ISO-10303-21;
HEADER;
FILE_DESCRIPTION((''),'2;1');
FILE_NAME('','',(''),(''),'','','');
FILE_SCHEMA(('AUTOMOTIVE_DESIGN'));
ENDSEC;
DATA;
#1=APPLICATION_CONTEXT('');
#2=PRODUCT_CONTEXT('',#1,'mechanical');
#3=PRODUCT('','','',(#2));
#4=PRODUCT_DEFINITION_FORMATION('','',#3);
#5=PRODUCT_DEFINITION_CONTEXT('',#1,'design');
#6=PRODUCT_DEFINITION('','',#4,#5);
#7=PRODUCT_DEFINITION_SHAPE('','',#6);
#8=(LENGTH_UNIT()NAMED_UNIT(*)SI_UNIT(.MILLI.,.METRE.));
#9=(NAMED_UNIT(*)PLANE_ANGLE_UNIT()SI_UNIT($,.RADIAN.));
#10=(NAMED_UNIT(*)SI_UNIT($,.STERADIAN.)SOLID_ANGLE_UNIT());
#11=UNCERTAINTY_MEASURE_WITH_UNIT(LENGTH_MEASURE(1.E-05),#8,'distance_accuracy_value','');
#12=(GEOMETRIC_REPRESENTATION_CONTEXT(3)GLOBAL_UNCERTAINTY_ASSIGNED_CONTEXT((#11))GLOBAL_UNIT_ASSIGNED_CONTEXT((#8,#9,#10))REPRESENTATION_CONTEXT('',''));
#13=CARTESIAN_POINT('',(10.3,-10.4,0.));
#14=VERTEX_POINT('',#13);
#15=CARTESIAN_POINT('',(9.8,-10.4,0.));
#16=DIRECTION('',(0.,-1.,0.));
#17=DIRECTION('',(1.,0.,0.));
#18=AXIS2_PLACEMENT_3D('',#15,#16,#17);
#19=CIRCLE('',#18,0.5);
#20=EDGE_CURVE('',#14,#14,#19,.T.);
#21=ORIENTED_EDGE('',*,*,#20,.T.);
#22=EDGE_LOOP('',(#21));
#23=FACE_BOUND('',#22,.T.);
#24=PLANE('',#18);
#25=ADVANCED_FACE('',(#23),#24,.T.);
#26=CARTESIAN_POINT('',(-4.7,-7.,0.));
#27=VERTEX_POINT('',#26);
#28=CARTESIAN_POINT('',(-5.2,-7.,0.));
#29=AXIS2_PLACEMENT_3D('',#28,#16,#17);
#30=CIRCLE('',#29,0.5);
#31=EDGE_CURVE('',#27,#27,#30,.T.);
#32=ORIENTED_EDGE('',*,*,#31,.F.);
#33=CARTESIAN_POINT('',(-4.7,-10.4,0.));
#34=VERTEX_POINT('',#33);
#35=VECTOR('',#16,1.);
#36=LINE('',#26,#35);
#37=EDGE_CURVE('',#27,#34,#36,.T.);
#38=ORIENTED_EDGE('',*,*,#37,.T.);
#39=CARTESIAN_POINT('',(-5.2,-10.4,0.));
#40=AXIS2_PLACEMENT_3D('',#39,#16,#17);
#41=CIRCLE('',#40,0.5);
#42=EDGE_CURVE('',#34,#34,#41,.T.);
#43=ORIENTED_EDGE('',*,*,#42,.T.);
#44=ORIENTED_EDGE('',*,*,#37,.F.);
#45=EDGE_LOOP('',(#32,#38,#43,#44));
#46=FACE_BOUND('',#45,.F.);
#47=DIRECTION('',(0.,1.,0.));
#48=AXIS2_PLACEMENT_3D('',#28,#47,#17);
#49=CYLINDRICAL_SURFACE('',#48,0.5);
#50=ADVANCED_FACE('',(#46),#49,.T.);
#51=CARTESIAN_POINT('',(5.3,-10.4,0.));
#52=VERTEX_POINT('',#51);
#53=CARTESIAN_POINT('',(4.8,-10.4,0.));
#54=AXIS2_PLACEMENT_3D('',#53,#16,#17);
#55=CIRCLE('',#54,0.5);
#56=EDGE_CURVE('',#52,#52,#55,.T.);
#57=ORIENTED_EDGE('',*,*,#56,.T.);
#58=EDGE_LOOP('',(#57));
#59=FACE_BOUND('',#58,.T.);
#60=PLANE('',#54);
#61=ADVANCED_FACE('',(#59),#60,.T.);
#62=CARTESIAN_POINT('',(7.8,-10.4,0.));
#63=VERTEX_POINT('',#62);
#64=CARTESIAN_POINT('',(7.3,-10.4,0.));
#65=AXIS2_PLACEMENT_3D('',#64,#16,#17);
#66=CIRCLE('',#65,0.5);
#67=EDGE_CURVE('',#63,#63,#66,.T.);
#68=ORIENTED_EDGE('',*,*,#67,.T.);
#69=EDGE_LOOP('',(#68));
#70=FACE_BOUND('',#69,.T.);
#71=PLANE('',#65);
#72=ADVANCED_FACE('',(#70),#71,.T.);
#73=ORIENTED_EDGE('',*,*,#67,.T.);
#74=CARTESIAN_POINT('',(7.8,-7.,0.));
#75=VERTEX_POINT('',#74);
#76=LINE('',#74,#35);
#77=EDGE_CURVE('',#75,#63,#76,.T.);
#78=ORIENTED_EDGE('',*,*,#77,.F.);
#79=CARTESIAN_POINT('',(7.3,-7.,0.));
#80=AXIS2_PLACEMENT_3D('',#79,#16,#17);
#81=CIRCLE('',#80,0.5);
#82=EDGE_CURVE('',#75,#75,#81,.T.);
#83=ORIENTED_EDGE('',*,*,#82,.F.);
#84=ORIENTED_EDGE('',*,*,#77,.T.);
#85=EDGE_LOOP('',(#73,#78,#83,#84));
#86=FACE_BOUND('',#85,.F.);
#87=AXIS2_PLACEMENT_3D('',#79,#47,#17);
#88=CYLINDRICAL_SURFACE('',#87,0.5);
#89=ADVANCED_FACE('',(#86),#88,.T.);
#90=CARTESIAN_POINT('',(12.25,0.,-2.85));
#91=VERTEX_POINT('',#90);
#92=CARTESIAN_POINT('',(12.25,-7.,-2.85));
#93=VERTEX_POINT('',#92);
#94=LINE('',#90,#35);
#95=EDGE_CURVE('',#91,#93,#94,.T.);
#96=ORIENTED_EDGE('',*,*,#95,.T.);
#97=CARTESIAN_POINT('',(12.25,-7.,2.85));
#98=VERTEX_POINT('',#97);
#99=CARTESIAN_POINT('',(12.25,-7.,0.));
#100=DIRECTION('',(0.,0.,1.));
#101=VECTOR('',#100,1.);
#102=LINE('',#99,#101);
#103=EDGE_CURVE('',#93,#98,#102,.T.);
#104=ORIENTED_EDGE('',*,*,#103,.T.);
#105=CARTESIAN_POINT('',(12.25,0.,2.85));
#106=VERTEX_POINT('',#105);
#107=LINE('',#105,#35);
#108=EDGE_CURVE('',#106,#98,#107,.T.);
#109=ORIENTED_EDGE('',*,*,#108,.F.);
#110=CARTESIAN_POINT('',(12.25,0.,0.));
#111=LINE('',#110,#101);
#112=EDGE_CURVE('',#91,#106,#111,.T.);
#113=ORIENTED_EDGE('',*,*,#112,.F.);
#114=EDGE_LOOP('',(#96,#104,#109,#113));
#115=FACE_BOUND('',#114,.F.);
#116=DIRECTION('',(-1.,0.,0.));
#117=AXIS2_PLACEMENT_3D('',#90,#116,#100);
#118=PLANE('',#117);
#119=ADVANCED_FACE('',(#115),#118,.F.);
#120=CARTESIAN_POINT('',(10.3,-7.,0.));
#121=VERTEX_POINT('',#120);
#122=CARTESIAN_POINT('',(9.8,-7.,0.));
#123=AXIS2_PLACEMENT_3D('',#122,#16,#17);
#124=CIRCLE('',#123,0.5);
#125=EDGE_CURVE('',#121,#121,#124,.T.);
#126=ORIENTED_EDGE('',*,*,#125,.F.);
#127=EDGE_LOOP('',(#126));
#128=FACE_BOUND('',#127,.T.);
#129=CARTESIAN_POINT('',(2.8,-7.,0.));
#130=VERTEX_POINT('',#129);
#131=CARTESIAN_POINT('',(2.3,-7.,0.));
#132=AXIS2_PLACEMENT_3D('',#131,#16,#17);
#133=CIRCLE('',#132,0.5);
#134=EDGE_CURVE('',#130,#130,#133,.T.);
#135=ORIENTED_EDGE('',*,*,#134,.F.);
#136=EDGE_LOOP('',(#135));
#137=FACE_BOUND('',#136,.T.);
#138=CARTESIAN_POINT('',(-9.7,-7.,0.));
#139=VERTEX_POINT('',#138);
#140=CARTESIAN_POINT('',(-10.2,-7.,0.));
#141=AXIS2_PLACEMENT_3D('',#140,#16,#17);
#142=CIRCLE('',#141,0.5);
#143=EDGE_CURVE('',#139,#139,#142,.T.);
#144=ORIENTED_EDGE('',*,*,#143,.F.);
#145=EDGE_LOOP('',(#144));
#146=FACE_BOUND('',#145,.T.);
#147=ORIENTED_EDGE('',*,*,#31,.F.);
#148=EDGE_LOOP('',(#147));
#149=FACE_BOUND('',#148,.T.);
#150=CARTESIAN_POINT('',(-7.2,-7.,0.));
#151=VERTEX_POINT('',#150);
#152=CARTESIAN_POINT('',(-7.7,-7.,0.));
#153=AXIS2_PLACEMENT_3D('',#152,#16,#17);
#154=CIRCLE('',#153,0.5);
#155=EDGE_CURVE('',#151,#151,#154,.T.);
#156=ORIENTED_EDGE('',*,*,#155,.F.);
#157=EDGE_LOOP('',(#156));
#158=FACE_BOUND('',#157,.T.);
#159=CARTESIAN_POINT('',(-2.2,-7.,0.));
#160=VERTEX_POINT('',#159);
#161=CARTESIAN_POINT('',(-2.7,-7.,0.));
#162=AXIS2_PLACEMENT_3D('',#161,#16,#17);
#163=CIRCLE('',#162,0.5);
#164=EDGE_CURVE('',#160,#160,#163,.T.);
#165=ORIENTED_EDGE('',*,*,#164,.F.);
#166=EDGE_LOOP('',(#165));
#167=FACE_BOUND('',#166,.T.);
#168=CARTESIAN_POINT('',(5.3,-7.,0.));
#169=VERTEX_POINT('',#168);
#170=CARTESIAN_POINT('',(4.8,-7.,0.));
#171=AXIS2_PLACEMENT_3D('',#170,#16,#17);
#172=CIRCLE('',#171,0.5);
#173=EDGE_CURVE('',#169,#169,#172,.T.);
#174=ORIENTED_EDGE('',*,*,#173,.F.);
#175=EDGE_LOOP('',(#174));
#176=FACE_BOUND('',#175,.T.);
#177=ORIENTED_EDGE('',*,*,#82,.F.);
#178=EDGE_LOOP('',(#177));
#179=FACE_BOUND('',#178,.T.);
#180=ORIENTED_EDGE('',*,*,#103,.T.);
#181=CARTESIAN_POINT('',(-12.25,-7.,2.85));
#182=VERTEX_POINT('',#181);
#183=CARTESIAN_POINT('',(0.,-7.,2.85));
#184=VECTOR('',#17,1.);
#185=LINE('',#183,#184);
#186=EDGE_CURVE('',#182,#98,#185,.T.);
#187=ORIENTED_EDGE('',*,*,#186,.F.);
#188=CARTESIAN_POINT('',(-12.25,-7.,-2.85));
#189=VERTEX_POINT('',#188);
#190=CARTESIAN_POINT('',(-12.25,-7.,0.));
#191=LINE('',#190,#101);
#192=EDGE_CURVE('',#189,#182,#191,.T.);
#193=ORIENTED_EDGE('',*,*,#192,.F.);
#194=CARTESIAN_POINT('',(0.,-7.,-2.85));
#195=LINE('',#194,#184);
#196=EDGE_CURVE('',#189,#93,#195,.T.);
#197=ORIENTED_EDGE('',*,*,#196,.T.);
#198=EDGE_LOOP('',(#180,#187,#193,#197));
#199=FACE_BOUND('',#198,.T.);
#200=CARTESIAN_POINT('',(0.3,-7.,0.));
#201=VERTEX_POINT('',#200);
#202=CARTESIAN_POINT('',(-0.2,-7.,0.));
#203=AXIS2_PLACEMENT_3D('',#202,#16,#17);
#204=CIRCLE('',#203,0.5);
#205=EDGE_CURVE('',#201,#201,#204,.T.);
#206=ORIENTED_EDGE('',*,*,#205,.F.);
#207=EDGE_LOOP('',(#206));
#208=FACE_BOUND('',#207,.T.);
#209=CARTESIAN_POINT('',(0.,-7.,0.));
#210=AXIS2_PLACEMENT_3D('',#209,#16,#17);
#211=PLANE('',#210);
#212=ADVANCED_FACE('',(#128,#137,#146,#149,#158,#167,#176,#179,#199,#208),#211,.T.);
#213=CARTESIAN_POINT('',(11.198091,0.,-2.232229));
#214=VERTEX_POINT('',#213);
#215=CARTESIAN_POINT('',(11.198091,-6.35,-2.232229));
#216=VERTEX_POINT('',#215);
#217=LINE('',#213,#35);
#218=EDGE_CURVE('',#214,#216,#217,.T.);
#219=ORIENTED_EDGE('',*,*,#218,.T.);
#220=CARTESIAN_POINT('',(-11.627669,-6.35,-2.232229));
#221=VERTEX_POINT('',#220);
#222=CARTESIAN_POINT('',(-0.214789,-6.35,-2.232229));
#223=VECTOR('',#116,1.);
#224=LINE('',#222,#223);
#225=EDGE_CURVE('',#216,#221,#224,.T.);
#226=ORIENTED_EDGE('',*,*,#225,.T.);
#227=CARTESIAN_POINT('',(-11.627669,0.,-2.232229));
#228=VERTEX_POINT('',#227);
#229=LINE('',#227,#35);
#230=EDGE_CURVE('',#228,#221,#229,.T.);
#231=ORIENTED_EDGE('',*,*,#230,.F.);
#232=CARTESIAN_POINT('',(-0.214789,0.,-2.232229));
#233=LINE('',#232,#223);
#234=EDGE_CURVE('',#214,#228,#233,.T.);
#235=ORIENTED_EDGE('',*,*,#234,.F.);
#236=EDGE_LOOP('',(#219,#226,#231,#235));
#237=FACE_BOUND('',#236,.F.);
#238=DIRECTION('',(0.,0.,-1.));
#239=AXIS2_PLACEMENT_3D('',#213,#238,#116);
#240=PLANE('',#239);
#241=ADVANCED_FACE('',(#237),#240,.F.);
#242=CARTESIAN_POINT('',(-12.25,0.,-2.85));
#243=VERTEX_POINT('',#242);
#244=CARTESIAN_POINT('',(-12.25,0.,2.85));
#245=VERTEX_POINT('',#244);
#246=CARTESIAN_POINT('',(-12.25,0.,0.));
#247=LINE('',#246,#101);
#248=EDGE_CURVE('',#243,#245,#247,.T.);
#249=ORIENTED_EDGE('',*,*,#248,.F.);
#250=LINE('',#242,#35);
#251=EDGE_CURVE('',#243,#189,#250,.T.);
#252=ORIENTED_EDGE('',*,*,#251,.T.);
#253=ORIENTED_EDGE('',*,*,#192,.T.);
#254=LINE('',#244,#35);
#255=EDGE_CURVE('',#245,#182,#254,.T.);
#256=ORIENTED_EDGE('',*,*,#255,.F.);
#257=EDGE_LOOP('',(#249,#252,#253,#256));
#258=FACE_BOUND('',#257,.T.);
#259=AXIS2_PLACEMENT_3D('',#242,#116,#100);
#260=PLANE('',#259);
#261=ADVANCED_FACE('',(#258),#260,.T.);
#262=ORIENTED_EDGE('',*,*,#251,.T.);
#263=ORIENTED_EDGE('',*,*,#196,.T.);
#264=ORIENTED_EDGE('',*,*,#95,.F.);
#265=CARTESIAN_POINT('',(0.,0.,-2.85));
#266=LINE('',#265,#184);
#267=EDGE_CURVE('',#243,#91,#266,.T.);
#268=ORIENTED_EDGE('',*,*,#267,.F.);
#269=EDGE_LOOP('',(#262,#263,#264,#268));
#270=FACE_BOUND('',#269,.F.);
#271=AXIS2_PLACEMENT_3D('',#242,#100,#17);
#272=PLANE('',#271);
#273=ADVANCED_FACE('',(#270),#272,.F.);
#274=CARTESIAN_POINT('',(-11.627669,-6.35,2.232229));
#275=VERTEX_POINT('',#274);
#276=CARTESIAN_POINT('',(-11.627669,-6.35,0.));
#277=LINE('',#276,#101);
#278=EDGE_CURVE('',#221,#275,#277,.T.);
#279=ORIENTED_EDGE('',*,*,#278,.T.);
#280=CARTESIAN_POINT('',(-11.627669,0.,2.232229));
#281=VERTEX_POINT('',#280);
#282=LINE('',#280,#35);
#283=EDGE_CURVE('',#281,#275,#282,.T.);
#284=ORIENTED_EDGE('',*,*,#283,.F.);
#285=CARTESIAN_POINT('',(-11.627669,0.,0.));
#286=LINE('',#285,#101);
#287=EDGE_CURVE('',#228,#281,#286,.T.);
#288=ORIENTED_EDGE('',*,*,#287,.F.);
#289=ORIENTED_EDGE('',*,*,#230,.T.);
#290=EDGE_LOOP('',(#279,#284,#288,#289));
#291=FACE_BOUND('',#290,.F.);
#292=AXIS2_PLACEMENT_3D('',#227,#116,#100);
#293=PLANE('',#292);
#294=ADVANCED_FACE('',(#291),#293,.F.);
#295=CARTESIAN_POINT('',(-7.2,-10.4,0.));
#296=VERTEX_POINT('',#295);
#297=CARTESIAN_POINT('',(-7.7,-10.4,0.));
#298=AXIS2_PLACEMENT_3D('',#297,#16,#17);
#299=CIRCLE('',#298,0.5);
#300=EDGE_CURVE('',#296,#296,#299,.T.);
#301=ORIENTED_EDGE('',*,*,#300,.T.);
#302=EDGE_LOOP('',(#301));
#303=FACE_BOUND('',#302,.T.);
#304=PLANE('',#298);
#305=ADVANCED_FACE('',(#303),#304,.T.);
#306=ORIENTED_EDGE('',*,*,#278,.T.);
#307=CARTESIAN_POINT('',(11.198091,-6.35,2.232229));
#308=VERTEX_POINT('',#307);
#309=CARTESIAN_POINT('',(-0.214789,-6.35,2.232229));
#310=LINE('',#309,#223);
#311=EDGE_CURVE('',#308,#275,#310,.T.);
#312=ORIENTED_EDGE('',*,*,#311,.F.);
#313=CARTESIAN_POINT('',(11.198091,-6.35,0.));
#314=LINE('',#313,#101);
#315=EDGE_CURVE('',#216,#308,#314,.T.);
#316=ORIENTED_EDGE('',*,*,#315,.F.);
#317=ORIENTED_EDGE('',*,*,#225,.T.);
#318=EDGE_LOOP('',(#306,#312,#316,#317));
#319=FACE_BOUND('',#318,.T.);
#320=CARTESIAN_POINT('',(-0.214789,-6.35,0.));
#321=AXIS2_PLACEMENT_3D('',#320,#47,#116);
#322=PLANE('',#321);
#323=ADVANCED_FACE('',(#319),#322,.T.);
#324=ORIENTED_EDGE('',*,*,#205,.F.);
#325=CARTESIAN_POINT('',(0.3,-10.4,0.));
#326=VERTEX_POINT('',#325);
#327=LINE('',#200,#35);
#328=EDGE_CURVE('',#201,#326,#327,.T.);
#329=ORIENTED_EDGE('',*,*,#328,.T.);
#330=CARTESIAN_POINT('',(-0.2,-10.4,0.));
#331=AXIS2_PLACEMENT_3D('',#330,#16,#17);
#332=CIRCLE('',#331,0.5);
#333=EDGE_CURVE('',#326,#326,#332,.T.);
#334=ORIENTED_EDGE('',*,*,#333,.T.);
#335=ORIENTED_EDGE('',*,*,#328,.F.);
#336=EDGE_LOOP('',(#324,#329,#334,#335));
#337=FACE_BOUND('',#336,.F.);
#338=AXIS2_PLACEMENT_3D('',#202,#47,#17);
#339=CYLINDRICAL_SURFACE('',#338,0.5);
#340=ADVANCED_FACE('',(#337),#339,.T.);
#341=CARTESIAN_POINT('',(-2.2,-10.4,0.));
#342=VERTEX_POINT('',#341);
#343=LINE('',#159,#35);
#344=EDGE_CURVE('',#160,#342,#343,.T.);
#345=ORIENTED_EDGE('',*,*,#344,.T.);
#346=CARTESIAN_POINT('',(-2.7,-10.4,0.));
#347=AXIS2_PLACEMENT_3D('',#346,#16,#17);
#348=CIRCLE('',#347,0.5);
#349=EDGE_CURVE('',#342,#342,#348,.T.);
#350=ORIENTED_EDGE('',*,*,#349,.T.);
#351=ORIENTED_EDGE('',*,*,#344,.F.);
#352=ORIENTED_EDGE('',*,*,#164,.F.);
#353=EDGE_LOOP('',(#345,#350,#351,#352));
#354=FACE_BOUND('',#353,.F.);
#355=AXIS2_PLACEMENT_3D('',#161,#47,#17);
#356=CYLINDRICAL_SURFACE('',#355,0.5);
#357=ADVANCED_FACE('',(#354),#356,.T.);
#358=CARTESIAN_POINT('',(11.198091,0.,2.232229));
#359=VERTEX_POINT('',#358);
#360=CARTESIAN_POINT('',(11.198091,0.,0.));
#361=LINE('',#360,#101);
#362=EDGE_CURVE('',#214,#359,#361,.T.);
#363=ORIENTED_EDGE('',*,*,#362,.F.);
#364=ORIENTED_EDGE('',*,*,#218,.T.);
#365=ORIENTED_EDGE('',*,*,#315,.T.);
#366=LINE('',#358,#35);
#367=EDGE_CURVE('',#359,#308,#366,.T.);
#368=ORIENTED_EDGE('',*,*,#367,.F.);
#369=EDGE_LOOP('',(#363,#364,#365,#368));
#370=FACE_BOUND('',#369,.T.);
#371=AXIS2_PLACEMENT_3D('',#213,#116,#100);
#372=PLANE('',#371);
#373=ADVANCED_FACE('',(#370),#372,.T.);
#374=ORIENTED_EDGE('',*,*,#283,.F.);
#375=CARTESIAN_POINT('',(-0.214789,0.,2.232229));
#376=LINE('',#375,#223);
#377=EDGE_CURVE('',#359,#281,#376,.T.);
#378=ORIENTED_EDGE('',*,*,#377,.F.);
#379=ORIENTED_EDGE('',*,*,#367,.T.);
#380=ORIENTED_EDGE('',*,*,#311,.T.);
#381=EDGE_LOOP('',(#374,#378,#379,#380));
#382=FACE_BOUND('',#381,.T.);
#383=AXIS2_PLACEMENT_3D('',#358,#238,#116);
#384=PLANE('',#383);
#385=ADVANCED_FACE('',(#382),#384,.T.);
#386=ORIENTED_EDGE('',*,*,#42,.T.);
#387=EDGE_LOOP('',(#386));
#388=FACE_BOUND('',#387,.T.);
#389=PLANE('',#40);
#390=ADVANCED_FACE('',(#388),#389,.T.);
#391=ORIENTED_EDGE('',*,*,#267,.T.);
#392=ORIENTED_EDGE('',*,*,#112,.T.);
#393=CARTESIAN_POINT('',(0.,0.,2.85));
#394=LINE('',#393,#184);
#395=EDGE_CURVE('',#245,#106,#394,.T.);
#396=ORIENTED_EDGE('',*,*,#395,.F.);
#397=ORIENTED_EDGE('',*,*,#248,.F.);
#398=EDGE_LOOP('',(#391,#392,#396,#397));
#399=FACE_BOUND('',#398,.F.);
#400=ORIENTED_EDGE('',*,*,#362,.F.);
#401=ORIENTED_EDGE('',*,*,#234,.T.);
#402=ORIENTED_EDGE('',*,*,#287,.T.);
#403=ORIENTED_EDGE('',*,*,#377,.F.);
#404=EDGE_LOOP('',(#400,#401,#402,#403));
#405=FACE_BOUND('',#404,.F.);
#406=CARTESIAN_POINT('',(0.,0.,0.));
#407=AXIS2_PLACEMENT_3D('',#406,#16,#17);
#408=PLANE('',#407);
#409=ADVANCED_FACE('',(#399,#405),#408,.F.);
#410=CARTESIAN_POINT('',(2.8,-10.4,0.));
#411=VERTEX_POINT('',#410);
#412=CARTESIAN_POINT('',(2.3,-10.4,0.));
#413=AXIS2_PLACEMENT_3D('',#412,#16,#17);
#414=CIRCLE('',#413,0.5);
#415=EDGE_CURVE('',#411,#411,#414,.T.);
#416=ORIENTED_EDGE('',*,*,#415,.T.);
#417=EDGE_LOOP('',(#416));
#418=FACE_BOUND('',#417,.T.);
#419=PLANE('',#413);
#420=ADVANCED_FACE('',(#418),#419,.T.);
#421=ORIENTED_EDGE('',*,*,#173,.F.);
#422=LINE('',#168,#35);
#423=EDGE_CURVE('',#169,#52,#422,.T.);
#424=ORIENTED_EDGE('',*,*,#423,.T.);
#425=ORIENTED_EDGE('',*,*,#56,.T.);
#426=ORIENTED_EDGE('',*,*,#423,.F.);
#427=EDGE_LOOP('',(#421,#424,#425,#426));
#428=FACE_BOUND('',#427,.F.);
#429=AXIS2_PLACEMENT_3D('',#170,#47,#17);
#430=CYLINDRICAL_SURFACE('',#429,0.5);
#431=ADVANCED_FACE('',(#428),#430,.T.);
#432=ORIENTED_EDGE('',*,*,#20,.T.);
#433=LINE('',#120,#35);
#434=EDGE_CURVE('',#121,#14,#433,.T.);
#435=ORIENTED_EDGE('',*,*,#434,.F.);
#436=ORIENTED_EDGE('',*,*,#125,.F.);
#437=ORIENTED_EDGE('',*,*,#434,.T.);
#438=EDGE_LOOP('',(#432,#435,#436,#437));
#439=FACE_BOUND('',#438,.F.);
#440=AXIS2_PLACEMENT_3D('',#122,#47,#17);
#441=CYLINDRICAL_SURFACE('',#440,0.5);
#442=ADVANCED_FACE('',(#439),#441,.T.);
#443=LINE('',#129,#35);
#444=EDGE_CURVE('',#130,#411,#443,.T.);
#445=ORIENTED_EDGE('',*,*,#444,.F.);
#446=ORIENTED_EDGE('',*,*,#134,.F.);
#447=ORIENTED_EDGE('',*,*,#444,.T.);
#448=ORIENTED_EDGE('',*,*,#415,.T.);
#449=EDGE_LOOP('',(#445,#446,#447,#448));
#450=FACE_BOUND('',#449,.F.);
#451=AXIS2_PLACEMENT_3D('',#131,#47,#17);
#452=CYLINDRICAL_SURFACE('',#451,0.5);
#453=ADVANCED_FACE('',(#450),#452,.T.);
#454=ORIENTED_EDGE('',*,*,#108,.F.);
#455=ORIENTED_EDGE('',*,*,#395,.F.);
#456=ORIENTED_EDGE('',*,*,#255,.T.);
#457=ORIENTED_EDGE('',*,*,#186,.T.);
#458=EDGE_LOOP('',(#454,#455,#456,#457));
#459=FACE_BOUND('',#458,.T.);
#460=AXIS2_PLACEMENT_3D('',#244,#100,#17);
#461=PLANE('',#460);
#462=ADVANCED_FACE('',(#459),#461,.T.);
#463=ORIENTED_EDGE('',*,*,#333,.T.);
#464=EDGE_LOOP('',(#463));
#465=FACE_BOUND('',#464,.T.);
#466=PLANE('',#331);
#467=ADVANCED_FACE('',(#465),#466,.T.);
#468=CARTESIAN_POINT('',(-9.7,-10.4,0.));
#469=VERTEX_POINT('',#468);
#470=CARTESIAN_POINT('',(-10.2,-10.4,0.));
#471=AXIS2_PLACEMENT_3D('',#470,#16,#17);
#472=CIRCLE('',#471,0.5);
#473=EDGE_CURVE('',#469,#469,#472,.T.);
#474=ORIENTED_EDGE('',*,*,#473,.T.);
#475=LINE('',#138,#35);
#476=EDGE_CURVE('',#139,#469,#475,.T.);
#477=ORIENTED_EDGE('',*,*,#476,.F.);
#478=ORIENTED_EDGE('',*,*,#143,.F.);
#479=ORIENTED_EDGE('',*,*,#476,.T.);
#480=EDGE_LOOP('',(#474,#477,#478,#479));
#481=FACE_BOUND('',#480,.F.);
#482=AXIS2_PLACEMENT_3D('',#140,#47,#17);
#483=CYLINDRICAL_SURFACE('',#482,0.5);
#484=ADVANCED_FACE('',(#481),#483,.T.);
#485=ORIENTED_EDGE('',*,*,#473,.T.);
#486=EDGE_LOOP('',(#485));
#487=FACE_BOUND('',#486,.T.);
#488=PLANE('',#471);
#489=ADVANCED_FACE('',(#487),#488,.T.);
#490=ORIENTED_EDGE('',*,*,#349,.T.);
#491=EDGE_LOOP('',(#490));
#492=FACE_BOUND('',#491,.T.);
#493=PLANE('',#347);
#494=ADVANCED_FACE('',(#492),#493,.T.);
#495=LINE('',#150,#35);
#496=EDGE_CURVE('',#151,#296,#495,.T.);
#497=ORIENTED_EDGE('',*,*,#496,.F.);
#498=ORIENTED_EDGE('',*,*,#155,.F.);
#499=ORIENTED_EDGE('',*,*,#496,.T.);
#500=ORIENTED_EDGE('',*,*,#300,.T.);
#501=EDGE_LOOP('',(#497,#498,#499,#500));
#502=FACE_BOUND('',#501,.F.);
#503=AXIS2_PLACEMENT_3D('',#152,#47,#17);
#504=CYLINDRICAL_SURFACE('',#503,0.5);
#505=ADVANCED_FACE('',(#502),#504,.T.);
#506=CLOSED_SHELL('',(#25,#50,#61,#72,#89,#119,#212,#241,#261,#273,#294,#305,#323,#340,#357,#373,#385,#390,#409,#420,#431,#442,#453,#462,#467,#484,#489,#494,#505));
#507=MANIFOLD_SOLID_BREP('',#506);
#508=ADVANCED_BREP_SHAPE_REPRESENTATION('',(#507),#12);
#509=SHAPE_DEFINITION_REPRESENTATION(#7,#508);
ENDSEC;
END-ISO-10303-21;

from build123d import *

# Parameters (mm, degrees)
F0_W     = 24.5
F0_H     = 5.7
F1_DEPTH = 7
F2_R     = 0.5
F3_DEPTH = 3.4
F4_W     = 22.82576
F4_H     = 4.464458
F5_DEPTH = 6.35


with BuildPart() as f1:
    # F0 (on Front) → F1 (new body)
    with BuildSketch(Plane.XZ):
        Rectangle(F0_W, F0_H)
    extrude(amount=F1_DEPTH)

    # F2 (on face) → F3 (join)
    with BuildSketch(Plane.XZ.offset(7)):
        with Locations((9.8, 0)):
            Circle(F2_R)
        with Locations((7.3, 0)):
            Circle(F2_R)
        with Locations((4.8, 0)):
            Circle(F2_R)
        with Locations((2.3, 0)):
            Circle(F2_R)
        with Locations((-0.2, 0)):
            Circle(F2_R)
        with Locations((-2.7, 0)):
            Circle(F2_R)
        with Locations((-5.2, 0)):
            Circle(F2_R)
        with Locations((-7.7, 0)):
            Circle(F2_R)
        with Locations((-10.2, 0)):
            Circle(F2_R)
    extrude(amount=F3_DEPTH)

    # F4 (on face) → F5 (cut)
    with BuildSketch(Plane(origin=(0, 0, 0), x_dir=(-1, 0, 0), z_dir=(0, 1, 0))):
        with Locations((0.214789, 0)):
            Rectangle(F4_W, F4_H)
    extrude(amount=-F5_DEPTH, mode=Mode.SUBTRACT)


solid = f1.part
